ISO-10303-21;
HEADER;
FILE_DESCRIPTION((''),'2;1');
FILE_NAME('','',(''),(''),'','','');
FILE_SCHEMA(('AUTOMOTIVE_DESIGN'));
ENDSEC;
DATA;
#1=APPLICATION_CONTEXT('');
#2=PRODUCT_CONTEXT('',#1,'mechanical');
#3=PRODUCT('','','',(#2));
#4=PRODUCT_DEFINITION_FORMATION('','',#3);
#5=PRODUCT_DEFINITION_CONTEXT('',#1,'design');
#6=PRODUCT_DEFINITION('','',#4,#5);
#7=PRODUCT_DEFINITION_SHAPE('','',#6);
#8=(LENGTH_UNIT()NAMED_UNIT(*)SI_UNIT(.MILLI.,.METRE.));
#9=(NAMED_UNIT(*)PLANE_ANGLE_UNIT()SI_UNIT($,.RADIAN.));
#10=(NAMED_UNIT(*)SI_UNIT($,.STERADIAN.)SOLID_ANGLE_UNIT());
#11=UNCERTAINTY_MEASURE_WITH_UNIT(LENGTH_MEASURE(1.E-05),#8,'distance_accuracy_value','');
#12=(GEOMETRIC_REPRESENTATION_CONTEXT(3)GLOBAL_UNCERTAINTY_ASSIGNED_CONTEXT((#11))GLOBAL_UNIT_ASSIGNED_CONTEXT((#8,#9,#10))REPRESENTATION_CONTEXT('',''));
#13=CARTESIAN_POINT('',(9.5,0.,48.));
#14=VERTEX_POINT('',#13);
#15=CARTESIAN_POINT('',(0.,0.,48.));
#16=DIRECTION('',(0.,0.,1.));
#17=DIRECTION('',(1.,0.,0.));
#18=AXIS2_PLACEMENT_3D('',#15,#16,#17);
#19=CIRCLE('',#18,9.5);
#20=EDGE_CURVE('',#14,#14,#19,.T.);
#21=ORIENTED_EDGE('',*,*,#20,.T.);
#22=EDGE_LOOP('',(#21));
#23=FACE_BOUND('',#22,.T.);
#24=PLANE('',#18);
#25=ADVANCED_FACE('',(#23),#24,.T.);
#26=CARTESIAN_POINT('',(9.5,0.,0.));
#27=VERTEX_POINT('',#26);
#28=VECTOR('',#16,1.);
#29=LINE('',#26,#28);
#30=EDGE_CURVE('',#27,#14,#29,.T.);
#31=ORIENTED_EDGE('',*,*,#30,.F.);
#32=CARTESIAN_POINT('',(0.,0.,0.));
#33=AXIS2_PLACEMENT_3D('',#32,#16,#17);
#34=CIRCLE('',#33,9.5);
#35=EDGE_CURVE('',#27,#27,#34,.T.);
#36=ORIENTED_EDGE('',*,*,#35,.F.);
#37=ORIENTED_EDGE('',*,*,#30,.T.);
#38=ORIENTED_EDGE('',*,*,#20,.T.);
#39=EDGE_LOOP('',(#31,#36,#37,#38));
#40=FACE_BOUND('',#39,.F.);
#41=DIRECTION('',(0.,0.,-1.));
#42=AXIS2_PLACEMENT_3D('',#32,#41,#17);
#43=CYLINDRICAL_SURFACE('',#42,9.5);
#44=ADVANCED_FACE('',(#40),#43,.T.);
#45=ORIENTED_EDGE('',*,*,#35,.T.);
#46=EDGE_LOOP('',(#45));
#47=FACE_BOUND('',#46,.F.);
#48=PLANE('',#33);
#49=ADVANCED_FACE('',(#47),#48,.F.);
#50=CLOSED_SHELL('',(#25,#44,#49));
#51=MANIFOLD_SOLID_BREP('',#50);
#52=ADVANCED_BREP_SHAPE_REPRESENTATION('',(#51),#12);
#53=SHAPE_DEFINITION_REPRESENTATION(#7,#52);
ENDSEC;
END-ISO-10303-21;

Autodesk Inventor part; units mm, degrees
ref_plane "YZ Plane" through (0, 0, 0) normal (1, 0, 0) x (0, 1, 0)
ref_plane "XZ Plane" through (0, 0, 0) normal (0, 1, 0) x (-1, 0, 0)
ref_plane "XY Plane" through (0, 0, 0) normal (0, 0, 1) x (1, 0, 0)
sketch "Sketch1" plane through (0, 0, 0) normal (0, 0, 1) x (1, 0, 0)
  circle A0 centre (0, 0) radius 9.5
  dimension "d2" = 19
extrude "Extrusion1" add sketch "Sketch1" along normal blind 48
properties part number "Guide Pin"
